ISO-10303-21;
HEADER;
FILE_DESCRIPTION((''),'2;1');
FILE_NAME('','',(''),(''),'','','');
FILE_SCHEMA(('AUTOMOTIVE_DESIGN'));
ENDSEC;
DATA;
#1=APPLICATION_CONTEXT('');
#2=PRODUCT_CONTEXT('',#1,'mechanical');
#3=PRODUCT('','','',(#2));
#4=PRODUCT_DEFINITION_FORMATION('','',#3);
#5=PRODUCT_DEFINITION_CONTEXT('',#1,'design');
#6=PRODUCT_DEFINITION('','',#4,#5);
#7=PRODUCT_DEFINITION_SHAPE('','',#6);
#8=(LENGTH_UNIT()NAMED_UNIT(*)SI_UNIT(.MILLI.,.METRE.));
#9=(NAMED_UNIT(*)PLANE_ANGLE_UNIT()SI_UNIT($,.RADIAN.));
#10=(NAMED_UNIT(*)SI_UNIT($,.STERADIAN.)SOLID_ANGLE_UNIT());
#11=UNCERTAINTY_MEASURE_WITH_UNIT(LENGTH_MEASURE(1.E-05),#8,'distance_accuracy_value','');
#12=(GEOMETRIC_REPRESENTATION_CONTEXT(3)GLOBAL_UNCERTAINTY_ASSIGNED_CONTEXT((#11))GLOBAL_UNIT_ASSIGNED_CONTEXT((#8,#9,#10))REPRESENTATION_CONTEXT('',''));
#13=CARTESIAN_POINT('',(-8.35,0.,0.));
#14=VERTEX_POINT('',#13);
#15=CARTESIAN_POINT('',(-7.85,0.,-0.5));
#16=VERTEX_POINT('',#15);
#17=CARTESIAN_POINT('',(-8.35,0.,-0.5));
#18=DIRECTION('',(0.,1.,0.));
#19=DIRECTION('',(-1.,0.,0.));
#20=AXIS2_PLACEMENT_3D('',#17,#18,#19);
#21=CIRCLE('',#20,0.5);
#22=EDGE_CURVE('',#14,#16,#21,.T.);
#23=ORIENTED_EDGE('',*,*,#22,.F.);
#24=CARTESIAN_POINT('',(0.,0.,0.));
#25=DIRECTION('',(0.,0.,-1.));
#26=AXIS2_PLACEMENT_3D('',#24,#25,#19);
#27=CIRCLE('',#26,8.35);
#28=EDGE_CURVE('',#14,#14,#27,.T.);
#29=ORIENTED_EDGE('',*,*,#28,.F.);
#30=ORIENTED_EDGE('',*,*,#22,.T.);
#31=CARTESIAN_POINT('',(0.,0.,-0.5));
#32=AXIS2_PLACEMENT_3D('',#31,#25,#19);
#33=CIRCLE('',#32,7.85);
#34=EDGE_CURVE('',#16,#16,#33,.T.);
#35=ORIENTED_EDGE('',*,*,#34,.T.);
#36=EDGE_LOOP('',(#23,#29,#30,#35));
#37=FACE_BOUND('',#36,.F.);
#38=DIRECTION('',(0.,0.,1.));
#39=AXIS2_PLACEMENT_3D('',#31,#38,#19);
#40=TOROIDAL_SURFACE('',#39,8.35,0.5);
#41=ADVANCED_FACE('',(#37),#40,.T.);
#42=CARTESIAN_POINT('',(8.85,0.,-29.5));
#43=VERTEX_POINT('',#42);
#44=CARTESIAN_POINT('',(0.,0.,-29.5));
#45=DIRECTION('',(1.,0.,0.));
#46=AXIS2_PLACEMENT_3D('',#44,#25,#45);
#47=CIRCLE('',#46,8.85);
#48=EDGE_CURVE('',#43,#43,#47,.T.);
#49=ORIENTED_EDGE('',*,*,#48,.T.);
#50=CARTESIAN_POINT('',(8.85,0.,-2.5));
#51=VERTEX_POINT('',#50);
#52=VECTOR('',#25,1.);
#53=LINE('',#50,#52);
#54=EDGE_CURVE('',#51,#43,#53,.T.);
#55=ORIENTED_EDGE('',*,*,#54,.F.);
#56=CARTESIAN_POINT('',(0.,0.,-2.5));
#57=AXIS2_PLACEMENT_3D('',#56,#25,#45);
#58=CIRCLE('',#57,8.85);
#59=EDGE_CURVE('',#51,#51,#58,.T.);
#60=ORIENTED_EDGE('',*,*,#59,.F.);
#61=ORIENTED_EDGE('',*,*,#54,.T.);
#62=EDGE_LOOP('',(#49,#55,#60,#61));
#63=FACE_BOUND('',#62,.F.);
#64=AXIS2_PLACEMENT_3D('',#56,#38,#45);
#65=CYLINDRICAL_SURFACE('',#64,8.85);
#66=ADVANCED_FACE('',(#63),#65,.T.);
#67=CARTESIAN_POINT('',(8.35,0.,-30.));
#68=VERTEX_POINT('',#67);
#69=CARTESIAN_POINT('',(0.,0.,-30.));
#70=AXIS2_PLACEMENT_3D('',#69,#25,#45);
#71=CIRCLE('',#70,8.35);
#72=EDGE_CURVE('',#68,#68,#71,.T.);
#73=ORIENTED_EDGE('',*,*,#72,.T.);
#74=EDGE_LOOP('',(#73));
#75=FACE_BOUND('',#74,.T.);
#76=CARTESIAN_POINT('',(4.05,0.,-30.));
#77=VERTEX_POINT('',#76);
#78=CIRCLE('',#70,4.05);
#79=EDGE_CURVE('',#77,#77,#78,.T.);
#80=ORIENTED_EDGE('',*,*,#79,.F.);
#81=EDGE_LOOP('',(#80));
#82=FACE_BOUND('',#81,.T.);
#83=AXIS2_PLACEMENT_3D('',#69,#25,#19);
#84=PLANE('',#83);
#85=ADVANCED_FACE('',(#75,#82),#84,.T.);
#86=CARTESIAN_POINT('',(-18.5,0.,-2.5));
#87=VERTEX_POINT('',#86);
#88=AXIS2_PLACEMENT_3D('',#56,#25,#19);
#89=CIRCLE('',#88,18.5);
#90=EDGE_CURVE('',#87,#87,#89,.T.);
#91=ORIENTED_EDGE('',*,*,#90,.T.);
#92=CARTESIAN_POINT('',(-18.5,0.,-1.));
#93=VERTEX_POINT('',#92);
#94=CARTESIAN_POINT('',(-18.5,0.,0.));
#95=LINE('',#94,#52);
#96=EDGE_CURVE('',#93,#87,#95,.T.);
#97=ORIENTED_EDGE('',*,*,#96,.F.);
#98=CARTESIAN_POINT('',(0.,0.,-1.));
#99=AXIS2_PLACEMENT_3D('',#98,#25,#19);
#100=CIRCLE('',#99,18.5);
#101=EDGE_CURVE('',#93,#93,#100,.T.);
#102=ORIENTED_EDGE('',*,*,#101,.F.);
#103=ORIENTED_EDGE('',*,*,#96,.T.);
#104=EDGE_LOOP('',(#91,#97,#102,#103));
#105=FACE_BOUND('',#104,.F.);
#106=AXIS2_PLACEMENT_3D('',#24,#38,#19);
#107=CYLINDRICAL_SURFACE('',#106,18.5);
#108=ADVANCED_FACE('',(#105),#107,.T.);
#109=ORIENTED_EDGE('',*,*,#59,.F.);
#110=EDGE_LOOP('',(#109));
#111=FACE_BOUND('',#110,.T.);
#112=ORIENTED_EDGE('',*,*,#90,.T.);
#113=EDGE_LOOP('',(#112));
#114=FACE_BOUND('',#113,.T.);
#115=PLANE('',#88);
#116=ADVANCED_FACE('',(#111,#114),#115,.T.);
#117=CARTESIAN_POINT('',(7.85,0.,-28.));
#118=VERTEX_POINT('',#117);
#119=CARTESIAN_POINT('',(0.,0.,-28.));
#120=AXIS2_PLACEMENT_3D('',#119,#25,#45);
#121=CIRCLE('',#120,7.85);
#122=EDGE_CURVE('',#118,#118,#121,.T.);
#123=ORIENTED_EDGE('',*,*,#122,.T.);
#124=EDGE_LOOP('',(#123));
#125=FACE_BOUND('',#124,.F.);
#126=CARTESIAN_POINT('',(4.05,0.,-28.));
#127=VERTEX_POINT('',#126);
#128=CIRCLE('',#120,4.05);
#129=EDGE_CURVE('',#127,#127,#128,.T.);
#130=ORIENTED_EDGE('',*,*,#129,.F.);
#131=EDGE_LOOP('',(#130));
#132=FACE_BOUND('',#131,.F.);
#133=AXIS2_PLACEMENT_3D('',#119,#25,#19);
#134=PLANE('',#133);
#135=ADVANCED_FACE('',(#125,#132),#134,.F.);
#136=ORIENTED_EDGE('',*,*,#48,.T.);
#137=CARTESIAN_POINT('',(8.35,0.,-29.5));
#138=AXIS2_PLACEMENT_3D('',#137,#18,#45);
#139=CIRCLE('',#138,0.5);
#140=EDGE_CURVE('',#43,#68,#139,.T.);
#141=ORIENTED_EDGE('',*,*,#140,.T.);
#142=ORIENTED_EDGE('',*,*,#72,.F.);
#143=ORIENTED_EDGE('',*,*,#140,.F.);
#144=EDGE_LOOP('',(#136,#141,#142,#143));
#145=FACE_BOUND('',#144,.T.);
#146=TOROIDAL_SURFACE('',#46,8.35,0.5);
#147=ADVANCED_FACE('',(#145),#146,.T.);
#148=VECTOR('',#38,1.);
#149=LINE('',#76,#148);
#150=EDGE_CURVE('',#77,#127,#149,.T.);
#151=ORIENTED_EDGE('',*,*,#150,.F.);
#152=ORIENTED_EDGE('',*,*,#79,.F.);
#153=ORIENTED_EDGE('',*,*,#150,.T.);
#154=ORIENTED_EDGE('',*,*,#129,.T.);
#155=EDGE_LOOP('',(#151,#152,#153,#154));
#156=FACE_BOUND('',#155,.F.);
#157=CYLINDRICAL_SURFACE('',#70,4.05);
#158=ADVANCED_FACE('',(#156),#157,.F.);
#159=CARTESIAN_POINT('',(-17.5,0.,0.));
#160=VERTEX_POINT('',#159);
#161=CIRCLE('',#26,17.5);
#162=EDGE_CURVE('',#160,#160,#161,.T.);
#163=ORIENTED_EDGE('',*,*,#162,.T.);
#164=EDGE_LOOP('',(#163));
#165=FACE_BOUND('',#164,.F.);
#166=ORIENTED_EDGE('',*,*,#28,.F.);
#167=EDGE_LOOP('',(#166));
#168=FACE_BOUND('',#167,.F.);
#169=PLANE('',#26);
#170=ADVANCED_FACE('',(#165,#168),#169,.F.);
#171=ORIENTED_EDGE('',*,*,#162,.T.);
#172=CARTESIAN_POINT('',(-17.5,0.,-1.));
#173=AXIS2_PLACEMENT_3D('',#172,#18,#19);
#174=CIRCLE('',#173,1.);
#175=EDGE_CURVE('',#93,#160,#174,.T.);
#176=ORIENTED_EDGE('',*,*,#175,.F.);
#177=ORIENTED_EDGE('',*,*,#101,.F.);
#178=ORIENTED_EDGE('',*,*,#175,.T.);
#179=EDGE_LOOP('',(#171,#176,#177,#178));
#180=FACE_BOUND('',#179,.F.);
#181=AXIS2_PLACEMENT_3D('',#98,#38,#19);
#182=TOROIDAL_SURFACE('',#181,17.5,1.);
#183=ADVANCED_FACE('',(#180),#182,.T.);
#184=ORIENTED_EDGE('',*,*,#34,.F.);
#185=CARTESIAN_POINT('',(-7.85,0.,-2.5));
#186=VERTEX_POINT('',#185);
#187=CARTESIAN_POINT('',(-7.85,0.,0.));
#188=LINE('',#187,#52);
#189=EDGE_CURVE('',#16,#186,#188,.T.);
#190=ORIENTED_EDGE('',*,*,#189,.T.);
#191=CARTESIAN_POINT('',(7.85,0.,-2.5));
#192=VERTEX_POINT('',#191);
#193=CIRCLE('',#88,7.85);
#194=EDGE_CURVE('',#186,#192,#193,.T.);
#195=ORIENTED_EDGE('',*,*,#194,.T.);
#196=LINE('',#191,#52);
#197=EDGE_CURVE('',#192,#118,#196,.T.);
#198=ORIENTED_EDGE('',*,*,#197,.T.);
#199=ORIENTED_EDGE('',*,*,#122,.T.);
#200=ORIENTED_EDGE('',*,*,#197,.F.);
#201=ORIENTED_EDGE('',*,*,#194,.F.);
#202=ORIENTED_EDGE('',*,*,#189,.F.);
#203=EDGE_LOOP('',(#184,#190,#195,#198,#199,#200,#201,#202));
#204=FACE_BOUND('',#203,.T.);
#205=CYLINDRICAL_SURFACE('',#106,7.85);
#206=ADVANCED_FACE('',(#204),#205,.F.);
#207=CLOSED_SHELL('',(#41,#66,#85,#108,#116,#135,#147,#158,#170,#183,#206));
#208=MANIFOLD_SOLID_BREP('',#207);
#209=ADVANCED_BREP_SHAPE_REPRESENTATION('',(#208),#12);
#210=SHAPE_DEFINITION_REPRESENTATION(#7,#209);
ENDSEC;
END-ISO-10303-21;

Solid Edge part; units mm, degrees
sketch "Sketch1" plane through (0, 0, 0) normal (0, 0, -1) x (-1, 0, 0)
  circle A0 centre (0, 0) radius 18.5
  circle A1 centre (0, 0) radius 7.85
extrude "Protrusion1" add sketch "Sketch1" along normal blind 2.5
sketch "Sketch2" plane through (0, 0, -2.5) normal (0, 0, -1) x (1, 0, 0)
  circle A0 centre (0, 0) radius 7.85
  circle A1 centre (0, 0) radius 8.85
extrude "Kihúzás_2" add sketch "Sketch2" along normal blind 27.5
sketch "Sketch3" plane through (0, 0, -30) normal (0, 0, -1) x (1, 0, 0)
  circle A0 centre (0, 0) radius 7.85
  circle A1 centre (0, 0) radius 4.05
extrude "Kihúzás_3" add sketch "Sketch3" against normal blind 2
fillet "Lekerekítés_2" radius 1 1 edges at (18.5, 0, 0)
fillet "Lekerekítés_3" radius 0.5 1 edges at (-8.85, 0, -30)
fillet "Lekerekítés_4" radius 0.5 1 edges at (7.85, 0, 0)
properties material "Polipropilén, általános rendeltetésű"
